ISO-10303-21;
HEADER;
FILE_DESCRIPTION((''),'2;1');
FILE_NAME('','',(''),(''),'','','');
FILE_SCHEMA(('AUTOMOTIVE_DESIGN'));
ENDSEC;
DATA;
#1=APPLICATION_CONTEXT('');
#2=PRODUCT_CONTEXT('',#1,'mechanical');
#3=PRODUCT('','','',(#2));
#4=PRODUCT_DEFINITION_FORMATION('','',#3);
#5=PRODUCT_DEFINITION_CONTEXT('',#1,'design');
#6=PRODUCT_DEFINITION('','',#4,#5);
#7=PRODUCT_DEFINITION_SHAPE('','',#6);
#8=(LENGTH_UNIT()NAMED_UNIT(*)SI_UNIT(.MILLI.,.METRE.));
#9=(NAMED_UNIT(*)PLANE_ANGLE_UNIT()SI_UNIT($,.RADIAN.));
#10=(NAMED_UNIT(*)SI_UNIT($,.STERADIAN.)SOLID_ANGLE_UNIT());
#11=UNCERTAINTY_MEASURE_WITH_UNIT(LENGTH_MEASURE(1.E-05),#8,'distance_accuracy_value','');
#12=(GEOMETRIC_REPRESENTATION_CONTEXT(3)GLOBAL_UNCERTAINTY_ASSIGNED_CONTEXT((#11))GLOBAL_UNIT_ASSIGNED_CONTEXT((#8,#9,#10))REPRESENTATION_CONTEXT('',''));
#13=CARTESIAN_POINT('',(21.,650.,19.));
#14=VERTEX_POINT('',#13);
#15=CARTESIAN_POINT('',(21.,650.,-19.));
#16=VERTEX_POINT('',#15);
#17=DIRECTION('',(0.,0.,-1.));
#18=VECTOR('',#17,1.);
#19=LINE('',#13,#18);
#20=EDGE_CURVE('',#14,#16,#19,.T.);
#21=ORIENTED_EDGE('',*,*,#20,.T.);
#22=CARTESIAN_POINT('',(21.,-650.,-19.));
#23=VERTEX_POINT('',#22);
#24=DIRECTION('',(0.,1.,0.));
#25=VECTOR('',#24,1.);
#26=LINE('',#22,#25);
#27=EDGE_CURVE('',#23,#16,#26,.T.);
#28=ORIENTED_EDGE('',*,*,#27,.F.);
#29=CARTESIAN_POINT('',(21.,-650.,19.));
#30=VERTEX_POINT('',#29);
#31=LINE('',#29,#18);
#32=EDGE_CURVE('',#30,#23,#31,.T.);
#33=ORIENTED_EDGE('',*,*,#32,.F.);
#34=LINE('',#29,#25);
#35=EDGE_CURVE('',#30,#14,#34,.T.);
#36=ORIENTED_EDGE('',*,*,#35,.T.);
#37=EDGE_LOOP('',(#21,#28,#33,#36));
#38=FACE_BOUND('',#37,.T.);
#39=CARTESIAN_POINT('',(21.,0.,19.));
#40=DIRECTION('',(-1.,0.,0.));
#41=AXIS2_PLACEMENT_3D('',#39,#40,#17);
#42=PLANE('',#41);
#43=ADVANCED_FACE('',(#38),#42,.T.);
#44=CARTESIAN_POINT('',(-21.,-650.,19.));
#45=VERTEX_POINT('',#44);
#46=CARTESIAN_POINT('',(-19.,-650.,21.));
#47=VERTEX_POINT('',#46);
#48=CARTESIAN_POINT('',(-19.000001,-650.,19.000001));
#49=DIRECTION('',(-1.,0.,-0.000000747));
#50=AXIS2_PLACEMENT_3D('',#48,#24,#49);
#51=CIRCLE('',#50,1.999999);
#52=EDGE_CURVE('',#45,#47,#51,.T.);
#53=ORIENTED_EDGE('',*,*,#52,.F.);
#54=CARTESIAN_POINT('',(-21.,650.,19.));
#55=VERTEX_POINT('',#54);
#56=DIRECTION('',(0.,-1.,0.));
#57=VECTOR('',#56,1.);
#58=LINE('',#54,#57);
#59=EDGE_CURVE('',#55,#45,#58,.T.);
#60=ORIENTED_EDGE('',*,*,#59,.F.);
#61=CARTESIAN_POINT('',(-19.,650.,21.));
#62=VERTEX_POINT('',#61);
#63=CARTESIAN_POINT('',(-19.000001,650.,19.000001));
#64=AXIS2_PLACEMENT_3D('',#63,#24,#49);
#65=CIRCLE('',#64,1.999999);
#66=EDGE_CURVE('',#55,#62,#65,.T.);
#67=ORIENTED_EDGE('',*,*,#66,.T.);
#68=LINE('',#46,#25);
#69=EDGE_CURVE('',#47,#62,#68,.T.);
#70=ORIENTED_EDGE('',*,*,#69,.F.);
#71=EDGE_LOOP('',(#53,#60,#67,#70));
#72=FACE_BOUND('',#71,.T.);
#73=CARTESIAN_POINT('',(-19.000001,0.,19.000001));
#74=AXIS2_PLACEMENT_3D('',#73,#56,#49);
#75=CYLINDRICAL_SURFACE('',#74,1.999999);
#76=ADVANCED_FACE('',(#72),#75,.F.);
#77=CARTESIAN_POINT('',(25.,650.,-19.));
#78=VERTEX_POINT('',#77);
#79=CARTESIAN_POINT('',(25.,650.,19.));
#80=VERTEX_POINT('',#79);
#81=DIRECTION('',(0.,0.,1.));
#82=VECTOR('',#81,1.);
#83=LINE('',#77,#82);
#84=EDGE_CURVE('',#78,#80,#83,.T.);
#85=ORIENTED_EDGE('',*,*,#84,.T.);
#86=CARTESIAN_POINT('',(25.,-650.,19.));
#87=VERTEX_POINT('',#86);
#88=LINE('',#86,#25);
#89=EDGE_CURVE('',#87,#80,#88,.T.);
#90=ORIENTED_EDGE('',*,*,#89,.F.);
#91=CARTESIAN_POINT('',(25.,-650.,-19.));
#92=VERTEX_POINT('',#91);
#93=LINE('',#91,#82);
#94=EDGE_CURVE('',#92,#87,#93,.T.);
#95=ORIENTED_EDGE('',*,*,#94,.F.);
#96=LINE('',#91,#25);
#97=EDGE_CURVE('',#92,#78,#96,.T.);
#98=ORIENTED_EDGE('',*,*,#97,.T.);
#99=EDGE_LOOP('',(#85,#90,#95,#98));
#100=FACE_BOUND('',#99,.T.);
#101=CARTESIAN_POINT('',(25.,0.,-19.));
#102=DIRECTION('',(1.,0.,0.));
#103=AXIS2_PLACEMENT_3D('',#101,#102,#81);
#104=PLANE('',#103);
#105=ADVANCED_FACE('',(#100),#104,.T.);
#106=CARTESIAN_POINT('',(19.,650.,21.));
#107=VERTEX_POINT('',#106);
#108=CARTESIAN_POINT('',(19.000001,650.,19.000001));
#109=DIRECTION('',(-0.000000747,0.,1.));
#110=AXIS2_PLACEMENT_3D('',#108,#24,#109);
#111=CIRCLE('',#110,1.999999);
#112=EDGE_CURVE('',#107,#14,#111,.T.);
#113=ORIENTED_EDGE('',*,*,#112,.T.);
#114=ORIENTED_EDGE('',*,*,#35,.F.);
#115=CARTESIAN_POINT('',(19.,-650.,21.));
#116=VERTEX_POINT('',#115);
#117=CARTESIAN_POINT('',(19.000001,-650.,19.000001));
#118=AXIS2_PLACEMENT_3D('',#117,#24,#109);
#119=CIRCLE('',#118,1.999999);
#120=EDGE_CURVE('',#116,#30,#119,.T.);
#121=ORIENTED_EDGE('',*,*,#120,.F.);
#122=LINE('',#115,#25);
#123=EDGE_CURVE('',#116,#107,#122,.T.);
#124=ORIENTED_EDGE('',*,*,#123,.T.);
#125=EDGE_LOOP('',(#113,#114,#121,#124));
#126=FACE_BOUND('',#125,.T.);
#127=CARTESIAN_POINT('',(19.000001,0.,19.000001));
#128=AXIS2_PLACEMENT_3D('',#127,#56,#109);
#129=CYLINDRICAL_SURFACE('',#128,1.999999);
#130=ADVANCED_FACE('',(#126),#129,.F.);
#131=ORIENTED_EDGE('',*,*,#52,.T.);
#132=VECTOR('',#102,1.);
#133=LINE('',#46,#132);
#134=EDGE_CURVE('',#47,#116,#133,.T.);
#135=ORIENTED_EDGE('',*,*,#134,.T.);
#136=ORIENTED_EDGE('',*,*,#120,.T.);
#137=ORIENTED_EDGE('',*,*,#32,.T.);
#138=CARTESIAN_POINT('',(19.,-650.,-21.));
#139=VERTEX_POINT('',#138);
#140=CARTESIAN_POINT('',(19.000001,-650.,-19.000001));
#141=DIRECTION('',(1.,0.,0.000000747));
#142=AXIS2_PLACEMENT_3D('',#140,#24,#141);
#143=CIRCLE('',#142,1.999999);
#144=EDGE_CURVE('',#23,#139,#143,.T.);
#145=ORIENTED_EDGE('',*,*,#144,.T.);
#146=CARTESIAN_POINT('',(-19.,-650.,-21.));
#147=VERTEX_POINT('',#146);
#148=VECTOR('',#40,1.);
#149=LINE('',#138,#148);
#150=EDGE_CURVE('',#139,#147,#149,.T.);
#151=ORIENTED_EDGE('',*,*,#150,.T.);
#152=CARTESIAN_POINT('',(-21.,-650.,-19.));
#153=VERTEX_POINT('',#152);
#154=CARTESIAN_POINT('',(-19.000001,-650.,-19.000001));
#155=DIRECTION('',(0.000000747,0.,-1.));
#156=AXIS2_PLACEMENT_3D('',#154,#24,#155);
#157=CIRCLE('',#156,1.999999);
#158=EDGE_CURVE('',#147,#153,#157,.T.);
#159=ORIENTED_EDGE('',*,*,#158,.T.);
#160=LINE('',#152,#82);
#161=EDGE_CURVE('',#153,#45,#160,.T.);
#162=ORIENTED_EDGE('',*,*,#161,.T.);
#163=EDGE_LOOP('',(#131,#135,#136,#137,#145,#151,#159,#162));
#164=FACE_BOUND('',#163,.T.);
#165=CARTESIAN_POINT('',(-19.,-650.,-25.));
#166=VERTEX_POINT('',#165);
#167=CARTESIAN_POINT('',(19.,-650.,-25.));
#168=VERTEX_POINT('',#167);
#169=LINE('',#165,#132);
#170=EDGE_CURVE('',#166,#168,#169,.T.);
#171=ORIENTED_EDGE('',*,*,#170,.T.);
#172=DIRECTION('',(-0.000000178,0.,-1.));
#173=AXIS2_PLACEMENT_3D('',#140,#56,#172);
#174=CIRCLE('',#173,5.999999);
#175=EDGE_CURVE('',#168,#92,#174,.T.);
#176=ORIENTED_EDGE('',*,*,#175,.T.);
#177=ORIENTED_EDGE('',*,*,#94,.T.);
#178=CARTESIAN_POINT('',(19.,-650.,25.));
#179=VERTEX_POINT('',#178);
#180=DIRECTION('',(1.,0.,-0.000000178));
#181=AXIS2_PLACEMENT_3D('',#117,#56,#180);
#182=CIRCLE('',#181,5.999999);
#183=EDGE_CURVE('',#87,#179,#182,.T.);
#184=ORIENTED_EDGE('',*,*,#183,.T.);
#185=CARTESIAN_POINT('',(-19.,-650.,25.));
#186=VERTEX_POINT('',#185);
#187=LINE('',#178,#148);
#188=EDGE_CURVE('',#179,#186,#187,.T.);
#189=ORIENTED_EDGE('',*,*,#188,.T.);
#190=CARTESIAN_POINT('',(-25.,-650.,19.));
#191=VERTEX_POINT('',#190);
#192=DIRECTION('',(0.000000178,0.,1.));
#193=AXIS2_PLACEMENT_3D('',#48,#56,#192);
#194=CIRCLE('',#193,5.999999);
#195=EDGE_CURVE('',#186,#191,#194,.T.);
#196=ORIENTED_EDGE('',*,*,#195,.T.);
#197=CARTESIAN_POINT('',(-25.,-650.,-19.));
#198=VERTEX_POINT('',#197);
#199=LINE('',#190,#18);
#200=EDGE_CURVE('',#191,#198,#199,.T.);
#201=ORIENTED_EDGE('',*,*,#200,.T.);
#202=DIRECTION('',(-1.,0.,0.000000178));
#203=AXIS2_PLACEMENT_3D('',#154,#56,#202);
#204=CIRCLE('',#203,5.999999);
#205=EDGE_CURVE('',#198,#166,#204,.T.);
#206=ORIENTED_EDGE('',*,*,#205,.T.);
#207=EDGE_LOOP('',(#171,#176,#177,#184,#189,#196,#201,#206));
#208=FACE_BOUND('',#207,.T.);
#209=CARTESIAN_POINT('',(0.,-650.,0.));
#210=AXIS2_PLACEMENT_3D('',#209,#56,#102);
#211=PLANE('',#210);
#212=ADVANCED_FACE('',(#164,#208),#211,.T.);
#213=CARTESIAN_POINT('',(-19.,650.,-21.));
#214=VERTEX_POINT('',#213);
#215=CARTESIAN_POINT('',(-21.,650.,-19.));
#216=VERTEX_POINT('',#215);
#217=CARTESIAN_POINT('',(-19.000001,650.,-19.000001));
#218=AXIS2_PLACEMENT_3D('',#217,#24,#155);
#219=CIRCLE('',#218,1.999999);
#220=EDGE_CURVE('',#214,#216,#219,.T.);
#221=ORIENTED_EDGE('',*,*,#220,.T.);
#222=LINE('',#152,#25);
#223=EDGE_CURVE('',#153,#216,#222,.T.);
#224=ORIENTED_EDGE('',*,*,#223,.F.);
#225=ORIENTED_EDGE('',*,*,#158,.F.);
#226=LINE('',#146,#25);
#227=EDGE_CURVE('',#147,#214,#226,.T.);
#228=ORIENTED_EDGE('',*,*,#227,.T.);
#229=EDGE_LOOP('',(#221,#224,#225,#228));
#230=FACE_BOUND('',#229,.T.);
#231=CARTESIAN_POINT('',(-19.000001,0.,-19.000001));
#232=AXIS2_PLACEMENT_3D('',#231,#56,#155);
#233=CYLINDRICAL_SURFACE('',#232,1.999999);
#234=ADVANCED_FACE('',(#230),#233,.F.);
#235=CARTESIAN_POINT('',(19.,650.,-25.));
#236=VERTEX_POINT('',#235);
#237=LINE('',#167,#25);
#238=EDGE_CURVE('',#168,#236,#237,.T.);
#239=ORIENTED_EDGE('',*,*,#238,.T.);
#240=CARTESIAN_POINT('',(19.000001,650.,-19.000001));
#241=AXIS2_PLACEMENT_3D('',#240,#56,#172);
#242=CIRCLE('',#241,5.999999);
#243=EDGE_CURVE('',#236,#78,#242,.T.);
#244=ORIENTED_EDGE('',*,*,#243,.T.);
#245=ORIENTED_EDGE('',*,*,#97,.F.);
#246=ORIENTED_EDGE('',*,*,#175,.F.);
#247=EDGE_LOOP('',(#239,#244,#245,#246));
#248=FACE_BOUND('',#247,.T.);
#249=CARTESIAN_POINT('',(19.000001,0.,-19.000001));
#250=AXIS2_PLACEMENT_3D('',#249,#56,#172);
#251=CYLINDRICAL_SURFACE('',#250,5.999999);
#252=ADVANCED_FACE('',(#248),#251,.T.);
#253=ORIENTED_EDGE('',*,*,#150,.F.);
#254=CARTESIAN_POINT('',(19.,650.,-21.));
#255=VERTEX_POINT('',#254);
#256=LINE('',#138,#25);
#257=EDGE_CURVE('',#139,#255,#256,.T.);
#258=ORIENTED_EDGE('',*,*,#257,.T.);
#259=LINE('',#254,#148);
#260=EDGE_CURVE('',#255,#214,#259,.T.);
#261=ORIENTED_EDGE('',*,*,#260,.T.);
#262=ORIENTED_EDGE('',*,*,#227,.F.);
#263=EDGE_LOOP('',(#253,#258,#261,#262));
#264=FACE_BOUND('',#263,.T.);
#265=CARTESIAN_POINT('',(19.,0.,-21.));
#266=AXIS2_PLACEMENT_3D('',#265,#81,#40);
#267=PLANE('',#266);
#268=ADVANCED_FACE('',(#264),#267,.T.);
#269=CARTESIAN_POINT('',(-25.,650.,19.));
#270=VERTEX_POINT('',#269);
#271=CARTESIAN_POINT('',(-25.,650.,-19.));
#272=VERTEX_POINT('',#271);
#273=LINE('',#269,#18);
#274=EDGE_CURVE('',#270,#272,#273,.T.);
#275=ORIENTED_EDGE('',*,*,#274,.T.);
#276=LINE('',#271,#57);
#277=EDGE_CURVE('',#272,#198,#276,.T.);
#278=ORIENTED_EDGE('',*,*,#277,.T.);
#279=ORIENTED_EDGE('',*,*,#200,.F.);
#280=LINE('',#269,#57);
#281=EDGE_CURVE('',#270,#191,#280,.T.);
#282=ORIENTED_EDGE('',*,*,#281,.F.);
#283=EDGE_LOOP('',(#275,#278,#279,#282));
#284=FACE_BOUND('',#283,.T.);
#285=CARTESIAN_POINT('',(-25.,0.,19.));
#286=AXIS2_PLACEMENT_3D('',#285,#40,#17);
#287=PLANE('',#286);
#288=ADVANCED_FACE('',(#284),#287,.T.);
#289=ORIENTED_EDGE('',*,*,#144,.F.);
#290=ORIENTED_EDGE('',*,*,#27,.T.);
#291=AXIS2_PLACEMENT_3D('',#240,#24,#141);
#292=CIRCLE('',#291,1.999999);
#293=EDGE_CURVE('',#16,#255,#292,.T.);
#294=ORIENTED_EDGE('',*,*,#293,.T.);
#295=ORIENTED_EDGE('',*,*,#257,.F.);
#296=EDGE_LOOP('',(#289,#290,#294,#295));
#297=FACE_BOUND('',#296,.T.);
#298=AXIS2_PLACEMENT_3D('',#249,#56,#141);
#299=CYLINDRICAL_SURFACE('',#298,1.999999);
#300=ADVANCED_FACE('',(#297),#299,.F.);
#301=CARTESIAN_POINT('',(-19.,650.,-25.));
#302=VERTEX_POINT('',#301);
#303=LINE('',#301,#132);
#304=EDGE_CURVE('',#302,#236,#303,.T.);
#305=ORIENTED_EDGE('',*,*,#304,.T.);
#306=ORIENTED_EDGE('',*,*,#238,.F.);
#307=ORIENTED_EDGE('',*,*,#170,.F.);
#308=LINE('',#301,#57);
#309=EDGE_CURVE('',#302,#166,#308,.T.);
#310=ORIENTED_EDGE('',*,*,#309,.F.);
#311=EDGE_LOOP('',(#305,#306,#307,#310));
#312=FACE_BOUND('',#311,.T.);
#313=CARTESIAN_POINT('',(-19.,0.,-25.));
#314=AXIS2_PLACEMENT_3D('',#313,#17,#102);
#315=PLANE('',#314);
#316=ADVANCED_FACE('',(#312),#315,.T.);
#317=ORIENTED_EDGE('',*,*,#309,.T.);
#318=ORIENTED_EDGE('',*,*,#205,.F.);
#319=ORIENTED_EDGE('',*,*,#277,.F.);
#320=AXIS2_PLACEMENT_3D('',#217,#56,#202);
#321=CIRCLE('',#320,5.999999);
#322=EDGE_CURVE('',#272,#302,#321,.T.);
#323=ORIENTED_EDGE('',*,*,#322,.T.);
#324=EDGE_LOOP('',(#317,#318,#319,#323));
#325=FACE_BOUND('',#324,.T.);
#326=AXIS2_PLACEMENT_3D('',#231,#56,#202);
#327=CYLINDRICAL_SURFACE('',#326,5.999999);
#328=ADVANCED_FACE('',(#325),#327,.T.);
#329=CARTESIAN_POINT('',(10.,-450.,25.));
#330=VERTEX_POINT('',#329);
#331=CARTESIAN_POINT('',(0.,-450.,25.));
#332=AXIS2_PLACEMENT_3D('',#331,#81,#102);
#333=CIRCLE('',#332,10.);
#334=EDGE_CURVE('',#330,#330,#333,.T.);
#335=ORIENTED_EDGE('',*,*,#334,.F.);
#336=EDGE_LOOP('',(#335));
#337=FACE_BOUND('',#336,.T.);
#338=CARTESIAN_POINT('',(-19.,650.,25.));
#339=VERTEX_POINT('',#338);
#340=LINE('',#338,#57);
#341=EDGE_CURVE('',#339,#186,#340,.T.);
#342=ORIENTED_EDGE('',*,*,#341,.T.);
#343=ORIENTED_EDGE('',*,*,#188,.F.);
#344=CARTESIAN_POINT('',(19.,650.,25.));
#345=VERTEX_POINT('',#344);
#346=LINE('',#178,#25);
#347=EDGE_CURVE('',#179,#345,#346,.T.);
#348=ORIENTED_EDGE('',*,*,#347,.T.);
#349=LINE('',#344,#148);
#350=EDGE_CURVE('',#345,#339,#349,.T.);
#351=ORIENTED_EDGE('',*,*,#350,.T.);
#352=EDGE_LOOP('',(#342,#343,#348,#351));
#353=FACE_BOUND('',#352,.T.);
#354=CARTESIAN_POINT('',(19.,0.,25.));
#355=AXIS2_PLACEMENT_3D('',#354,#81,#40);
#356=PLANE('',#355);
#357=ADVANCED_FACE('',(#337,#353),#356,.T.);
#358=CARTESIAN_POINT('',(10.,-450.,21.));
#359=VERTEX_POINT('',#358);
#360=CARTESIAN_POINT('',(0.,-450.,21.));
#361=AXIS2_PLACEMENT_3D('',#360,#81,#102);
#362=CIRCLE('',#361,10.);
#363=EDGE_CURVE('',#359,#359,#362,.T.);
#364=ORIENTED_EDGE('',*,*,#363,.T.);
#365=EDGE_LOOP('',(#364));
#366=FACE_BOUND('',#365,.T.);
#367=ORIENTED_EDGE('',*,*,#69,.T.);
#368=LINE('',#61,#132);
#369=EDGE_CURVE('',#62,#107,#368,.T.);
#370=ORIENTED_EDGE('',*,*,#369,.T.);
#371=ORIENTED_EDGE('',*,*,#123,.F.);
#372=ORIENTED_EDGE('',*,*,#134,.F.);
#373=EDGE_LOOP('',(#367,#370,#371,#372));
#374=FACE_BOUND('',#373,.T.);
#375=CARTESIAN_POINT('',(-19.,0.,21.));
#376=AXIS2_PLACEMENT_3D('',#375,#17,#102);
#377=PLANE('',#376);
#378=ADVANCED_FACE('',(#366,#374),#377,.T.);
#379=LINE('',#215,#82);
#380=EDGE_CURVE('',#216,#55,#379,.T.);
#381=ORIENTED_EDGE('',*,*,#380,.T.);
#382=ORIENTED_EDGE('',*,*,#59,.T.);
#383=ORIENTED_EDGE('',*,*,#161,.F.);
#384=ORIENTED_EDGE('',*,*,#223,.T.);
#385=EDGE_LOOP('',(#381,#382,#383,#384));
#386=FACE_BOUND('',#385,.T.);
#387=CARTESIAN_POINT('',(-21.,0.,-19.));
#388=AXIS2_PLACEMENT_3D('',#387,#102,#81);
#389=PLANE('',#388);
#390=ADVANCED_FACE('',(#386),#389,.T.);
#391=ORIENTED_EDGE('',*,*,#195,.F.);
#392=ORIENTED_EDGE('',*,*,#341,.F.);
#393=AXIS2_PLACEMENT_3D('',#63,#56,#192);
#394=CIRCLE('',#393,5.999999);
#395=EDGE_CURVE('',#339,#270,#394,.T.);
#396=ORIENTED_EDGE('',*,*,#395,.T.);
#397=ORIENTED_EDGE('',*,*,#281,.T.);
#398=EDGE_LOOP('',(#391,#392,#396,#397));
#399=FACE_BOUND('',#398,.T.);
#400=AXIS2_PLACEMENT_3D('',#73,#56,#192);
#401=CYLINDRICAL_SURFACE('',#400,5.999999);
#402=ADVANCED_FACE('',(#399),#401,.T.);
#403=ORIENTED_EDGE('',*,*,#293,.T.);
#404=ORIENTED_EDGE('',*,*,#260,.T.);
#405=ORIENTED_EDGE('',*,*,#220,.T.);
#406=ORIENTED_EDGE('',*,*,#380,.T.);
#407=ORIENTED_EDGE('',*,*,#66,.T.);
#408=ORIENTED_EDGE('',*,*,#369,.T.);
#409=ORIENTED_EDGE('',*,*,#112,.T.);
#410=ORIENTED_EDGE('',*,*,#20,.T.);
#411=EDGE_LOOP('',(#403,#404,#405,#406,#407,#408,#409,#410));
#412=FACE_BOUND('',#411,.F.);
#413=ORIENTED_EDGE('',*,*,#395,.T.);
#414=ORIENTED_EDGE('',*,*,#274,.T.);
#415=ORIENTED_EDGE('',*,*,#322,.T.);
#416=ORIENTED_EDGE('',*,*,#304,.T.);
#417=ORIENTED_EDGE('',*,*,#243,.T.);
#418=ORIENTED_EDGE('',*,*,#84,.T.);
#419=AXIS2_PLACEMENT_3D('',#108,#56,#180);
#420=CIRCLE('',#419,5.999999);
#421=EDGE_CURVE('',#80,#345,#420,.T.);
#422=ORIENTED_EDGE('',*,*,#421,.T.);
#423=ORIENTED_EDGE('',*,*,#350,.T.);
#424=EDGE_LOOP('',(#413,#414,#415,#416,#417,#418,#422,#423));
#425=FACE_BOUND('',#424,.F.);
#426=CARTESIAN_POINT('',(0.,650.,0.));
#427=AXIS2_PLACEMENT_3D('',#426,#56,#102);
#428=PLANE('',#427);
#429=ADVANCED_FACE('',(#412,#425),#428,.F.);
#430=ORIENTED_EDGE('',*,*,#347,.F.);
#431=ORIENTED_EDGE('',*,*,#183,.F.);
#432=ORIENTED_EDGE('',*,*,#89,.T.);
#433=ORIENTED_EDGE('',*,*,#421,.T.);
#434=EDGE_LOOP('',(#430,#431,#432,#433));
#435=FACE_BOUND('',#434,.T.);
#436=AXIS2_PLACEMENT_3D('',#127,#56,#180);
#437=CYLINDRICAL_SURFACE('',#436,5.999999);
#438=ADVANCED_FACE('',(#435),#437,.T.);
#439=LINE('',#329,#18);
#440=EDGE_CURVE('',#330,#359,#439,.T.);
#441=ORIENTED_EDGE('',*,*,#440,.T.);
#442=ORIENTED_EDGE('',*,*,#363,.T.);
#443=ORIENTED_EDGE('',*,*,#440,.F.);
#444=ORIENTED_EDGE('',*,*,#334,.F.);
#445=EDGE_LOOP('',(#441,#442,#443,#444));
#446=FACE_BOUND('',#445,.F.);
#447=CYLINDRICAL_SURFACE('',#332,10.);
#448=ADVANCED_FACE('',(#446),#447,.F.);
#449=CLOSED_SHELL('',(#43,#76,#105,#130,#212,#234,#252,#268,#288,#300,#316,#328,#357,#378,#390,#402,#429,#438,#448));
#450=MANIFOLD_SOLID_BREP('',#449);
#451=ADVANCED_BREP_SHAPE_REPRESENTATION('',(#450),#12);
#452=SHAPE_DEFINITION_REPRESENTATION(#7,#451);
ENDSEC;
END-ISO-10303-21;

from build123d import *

# Parameters (mm, degrees)
F1_DEPTH = 650
F2_R     = 10
F3_DEPTH = 25


with BuildPart() as f1:
    # F0 (on Front) → F1 (new body, symmetric)
    with BuildSketch(Plane.XZ):
        with BuildLine():
            Line((19, 25), (-19, 25))
            ThreePointArc((-19, 25), (-23.242641, 23.242641), (-25, 19))
            Line((-25, 19), (-25, -19))
            ThreePointArc((-25, -19), (-23.242641, -23.242641), (-19, -25))
            Line((-19, -25), (19, -25))
            ThreePointArc((19, -25), (23.242641, -23.242641), (25, -19))
            Line((25, -19), (25, 19))
            ThreePointArc((25, 19), (23.242641, 23.242641), (19, 25))
        make_face()
        with BuildLine():
            ThreePointArc((-21, 19), (-20.414214, 20.414214), (-19, 21))
            Line((-19, 21), (19, 21))
            ThreePointArc((19, 21), (20.414214, 20.414214), (21, 19))
            Line((21, 19), (21, -19))
            ThreePointArc((21, -19), (20.414214, -20.414214), (19, -21))
            Line((19, -21), (-19, -21))
            ThreePointArc((-19, -21), (-20.414214, -20.414214), (-21, -19))
            Line((-21, -19), (-21, 19))
        make_face(mode=Mode.SUBTRACT)
    extrude(amount=F1_DEPTH, both=True)

    # F2 (on face) → F3 (cut)
    with BuildSketch(Plane.XY.offset(25)):
        with Locations((0, -450)):
            Circle(F2_R)
    extrude(amount=-F3_DEPTH, mode=Mode.SUBTRACT)


solid = f1.part
